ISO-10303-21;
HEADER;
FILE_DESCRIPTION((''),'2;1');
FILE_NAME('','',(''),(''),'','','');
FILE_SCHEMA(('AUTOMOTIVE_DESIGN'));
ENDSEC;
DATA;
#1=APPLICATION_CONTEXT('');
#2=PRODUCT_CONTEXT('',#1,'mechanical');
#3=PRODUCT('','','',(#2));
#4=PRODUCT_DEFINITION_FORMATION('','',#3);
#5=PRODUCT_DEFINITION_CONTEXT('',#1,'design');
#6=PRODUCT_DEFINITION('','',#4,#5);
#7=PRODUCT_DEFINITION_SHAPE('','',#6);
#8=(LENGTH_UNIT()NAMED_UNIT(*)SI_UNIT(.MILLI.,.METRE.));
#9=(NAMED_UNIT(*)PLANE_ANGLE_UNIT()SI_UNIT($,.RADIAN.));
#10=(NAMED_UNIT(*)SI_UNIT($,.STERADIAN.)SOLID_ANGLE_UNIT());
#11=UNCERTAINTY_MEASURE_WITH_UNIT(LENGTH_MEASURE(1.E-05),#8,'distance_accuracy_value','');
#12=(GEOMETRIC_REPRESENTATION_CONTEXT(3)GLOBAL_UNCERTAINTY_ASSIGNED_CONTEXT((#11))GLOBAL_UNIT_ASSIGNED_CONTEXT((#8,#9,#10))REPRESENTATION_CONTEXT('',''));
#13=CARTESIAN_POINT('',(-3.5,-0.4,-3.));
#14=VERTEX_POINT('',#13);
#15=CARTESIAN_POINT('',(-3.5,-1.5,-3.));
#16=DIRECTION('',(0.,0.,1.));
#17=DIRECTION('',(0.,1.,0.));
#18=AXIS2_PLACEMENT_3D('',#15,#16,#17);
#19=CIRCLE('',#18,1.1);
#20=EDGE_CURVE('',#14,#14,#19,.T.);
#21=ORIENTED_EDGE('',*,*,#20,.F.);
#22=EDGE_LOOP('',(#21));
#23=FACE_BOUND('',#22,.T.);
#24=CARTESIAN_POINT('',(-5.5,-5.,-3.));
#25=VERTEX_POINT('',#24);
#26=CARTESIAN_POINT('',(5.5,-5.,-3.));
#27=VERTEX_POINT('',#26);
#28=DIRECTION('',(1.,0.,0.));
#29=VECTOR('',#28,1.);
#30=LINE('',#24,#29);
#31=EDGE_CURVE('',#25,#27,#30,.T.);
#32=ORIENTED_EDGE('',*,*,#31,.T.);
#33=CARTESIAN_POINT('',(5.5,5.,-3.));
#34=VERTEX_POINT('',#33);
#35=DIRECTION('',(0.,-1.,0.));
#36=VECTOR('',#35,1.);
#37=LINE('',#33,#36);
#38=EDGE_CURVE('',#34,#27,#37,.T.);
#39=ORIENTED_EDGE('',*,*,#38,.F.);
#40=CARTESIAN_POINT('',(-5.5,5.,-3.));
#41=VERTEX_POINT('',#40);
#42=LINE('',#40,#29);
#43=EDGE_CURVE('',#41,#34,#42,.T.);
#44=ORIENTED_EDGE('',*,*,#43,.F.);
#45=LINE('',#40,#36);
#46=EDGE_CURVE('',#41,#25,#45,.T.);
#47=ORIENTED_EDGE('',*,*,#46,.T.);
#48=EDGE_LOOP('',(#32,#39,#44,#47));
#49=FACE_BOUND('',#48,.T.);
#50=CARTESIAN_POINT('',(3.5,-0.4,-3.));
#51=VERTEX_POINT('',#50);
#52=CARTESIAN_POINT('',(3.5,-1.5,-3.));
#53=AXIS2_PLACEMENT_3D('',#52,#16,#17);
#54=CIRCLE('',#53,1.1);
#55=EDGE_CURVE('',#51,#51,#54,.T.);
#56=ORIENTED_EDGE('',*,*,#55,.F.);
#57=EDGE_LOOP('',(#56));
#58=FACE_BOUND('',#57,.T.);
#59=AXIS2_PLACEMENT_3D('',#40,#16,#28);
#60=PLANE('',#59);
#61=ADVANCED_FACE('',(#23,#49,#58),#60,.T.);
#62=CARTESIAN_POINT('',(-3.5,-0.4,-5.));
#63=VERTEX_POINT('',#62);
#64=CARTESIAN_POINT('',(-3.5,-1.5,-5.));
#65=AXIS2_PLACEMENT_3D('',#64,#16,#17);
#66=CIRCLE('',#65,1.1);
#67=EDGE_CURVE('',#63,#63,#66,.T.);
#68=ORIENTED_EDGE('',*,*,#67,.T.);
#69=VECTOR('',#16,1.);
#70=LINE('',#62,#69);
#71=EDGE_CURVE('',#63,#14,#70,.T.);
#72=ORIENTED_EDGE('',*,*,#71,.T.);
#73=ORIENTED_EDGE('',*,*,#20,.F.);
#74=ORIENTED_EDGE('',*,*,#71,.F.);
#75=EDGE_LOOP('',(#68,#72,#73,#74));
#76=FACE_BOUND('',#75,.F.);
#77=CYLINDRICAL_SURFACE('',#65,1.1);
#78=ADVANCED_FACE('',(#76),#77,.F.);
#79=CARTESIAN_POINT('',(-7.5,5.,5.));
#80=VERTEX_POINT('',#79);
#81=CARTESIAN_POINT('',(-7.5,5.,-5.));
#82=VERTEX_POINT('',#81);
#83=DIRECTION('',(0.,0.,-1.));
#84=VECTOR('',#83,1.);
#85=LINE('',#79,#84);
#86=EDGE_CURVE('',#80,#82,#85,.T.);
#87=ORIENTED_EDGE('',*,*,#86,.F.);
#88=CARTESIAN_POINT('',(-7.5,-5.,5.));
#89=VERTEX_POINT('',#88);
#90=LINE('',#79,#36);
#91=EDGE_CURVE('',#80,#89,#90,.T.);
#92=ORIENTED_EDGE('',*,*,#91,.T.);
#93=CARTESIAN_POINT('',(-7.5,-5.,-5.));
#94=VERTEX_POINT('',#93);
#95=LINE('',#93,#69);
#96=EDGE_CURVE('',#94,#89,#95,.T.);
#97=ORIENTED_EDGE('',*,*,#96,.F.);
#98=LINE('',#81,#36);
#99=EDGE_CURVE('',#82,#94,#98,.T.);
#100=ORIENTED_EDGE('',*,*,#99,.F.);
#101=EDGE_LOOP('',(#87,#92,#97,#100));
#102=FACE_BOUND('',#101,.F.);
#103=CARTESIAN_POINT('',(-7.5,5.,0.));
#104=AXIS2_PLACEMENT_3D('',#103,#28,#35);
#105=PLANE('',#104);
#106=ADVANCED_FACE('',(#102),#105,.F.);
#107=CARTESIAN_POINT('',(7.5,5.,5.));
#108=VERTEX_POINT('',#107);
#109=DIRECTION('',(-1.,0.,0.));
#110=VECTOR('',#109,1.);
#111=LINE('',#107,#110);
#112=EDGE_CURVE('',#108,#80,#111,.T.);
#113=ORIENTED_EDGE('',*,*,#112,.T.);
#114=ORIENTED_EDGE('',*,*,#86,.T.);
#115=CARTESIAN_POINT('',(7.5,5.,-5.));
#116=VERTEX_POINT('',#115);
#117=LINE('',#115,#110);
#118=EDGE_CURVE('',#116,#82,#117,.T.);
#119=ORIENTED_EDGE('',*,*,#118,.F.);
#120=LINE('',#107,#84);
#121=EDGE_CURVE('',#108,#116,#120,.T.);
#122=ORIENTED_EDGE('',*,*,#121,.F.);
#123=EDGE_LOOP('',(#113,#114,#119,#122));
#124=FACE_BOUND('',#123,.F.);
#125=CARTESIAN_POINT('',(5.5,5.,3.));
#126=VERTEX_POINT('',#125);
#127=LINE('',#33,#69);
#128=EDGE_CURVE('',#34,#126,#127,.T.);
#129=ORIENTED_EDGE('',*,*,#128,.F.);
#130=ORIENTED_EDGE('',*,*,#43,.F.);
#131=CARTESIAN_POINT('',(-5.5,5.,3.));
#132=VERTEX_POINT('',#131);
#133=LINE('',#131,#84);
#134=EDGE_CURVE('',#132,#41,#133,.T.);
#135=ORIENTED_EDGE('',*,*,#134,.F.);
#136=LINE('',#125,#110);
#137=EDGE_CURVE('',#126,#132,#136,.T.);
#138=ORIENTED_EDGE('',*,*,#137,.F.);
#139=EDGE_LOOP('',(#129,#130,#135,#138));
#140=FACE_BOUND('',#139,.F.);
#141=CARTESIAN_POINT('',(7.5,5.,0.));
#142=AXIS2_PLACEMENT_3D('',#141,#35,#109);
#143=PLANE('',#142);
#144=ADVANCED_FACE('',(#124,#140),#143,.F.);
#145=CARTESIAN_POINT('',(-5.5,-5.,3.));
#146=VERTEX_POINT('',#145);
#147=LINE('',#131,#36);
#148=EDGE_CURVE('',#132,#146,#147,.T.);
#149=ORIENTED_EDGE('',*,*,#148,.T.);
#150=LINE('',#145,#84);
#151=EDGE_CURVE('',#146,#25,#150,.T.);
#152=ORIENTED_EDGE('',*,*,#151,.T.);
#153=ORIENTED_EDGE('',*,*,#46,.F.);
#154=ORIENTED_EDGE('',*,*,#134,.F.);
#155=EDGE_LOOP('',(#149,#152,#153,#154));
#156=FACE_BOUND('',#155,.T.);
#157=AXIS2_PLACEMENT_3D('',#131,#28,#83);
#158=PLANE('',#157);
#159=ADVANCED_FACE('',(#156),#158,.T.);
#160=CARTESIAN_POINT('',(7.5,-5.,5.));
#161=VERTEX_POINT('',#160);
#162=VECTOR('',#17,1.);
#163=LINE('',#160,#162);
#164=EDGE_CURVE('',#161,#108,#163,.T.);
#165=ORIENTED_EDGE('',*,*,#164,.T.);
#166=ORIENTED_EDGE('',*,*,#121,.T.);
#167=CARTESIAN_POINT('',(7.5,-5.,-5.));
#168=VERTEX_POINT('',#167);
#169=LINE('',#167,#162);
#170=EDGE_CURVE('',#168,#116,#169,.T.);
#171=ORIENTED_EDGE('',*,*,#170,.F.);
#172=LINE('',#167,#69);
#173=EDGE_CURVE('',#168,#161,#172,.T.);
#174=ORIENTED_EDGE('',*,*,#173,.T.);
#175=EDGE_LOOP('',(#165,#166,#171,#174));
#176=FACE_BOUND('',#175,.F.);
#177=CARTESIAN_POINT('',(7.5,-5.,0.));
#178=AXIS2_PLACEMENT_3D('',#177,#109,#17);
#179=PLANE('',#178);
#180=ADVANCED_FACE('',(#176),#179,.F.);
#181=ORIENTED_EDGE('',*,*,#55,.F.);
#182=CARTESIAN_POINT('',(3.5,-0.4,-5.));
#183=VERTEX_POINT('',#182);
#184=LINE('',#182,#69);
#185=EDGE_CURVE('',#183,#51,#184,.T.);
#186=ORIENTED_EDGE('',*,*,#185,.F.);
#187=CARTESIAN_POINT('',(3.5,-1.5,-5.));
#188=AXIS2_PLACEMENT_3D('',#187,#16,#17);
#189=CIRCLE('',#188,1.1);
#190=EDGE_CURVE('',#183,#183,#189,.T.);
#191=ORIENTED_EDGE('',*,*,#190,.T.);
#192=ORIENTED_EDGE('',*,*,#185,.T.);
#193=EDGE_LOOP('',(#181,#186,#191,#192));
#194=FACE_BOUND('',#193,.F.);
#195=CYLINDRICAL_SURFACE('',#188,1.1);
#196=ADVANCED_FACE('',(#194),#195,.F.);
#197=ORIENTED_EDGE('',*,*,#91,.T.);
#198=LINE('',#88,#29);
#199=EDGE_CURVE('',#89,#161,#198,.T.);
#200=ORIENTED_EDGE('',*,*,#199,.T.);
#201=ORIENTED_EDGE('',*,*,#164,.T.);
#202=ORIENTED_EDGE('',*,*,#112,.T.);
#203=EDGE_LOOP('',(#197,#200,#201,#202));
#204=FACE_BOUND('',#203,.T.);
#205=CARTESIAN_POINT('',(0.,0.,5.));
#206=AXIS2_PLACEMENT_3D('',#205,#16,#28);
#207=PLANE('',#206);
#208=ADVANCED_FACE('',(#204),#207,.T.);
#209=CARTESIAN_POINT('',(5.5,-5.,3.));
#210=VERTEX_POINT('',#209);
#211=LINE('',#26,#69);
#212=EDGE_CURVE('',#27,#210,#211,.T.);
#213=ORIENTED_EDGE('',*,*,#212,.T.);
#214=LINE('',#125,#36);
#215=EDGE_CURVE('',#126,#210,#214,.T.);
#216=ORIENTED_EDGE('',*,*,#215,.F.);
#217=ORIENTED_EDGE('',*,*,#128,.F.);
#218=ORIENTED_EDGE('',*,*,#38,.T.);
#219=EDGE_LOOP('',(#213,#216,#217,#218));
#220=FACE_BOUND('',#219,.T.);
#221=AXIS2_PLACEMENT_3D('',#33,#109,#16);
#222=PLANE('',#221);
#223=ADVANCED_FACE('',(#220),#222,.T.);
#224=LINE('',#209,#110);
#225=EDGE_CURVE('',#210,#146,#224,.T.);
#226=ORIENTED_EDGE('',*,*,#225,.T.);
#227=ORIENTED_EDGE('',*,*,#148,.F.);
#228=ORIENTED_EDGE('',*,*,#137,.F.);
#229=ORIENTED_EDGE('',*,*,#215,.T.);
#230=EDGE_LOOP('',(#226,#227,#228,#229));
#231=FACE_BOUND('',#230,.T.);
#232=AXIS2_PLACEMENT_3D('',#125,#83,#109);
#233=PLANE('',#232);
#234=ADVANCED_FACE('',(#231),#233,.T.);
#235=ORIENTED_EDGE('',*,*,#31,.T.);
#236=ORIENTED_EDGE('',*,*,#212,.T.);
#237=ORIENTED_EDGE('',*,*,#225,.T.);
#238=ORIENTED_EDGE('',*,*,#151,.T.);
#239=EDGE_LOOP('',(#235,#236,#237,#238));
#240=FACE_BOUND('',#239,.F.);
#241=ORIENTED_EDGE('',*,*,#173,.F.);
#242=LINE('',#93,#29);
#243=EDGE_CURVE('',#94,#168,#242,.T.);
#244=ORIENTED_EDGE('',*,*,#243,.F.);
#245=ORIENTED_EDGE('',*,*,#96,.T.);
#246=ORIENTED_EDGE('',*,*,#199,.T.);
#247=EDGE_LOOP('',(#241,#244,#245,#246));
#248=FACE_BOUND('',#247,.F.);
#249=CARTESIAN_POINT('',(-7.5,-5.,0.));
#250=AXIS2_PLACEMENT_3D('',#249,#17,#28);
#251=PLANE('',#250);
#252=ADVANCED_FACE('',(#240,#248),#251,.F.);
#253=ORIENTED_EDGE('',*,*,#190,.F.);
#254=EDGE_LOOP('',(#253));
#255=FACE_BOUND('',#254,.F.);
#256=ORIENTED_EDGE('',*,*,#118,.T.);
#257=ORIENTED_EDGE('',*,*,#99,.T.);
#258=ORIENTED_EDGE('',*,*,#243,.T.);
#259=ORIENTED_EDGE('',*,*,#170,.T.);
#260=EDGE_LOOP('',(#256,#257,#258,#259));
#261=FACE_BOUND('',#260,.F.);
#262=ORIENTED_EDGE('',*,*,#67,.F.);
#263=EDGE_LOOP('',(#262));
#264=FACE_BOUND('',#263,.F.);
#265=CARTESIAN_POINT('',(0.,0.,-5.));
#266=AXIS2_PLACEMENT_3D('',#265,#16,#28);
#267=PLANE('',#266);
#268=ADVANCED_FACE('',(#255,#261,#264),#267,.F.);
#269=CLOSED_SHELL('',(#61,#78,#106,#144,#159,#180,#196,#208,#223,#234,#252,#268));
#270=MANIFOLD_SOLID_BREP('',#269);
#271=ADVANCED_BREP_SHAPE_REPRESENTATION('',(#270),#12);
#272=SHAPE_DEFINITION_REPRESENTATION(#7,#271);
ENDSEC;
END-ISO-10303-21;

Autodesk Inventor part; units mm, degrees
ref_plane "YZ Plane" through (0, 0, 0) normal (1, 0, 0) x (0, 1, 0)
ref_plane "XZ Plane" through (0, 0, 0) normal (0, 1, 0) x (-1, 0, 0)
ref_plane "XY Plane" through (0, 0, 0) normal (0, 0, 1) x (1, 0, 0)
sketch "スケッチ1" plane through (0, 0, 0) normal (0, 0, 1) x (1, 0, 0)
  line L0 (-7.5, -5) -> (7.5, -5)
  line L1 (7.5, -5) -> (7.5, 5)
  line L2 (7.5, 5) -> (-7.5, 5)
  line L3 (-7.5, 5) -> (-7.5, -5)
  line L4 (-7.5, -5) -> (7.5, 5) construction
  line L5 (7.5, -5) -> (-7.5, 5) construction
  point P0 (0, 0)
  dimension "d0" = 15
  dimension "d1" = 10
extrude "押し出し1" add sketch "スケッチ1" along normal mid plane 10
sketch "スケッチ2" plane through (-7.5, 5, 5) normal (0, 1, 0) x (1, 0, 0)
  line L0 (13, 2) -> (2, 2)
  line L1 (2, 2) -> (2, 8)
  line L2 (2, 8) -> (13, 8)
  line L3 (13, 8) -> (13, 2)
  line L4 (13, 2) -> (2, 8) construction
  line L5 (2, 2) -> (13, 8) construction
  point P0 (7.5, 5)
  dimension "d4" = 6
  dimension "d5" = 11
extrude "押し出し2" cut sketch "スケッチ2" against normal blind 10
sketch "スケッチ3" plane through (0, 0, -5) normal (0, 0, -1) x (-1, 0, 0)
  line L0 (-7.5, -5) -> (7.5, -5) projected
  line L1 (-7.5, 5) -> (-7.5, -5) projected
  line L2 (7.5, -5) -> (7.5, 5) projected
  point P0 (0, 0)
  point P1 (-3.5, -1.5)
  point P2 (3.5, -1.5)
  dimension "d8" = 3.5
  dimension "d9" = 4
  dimension "d10" = 4
  dimension "d11" = 3.5
hole "穴1" at (3.5, -1.5, -5) at (-3.5, -1.5, -5) direction (0, 0, 1) diameter 2.2 depth 4 tip angle 118
equation "\"d10\" = d9"
equation "\"d11\" = d8"
properties part number "sponge"
